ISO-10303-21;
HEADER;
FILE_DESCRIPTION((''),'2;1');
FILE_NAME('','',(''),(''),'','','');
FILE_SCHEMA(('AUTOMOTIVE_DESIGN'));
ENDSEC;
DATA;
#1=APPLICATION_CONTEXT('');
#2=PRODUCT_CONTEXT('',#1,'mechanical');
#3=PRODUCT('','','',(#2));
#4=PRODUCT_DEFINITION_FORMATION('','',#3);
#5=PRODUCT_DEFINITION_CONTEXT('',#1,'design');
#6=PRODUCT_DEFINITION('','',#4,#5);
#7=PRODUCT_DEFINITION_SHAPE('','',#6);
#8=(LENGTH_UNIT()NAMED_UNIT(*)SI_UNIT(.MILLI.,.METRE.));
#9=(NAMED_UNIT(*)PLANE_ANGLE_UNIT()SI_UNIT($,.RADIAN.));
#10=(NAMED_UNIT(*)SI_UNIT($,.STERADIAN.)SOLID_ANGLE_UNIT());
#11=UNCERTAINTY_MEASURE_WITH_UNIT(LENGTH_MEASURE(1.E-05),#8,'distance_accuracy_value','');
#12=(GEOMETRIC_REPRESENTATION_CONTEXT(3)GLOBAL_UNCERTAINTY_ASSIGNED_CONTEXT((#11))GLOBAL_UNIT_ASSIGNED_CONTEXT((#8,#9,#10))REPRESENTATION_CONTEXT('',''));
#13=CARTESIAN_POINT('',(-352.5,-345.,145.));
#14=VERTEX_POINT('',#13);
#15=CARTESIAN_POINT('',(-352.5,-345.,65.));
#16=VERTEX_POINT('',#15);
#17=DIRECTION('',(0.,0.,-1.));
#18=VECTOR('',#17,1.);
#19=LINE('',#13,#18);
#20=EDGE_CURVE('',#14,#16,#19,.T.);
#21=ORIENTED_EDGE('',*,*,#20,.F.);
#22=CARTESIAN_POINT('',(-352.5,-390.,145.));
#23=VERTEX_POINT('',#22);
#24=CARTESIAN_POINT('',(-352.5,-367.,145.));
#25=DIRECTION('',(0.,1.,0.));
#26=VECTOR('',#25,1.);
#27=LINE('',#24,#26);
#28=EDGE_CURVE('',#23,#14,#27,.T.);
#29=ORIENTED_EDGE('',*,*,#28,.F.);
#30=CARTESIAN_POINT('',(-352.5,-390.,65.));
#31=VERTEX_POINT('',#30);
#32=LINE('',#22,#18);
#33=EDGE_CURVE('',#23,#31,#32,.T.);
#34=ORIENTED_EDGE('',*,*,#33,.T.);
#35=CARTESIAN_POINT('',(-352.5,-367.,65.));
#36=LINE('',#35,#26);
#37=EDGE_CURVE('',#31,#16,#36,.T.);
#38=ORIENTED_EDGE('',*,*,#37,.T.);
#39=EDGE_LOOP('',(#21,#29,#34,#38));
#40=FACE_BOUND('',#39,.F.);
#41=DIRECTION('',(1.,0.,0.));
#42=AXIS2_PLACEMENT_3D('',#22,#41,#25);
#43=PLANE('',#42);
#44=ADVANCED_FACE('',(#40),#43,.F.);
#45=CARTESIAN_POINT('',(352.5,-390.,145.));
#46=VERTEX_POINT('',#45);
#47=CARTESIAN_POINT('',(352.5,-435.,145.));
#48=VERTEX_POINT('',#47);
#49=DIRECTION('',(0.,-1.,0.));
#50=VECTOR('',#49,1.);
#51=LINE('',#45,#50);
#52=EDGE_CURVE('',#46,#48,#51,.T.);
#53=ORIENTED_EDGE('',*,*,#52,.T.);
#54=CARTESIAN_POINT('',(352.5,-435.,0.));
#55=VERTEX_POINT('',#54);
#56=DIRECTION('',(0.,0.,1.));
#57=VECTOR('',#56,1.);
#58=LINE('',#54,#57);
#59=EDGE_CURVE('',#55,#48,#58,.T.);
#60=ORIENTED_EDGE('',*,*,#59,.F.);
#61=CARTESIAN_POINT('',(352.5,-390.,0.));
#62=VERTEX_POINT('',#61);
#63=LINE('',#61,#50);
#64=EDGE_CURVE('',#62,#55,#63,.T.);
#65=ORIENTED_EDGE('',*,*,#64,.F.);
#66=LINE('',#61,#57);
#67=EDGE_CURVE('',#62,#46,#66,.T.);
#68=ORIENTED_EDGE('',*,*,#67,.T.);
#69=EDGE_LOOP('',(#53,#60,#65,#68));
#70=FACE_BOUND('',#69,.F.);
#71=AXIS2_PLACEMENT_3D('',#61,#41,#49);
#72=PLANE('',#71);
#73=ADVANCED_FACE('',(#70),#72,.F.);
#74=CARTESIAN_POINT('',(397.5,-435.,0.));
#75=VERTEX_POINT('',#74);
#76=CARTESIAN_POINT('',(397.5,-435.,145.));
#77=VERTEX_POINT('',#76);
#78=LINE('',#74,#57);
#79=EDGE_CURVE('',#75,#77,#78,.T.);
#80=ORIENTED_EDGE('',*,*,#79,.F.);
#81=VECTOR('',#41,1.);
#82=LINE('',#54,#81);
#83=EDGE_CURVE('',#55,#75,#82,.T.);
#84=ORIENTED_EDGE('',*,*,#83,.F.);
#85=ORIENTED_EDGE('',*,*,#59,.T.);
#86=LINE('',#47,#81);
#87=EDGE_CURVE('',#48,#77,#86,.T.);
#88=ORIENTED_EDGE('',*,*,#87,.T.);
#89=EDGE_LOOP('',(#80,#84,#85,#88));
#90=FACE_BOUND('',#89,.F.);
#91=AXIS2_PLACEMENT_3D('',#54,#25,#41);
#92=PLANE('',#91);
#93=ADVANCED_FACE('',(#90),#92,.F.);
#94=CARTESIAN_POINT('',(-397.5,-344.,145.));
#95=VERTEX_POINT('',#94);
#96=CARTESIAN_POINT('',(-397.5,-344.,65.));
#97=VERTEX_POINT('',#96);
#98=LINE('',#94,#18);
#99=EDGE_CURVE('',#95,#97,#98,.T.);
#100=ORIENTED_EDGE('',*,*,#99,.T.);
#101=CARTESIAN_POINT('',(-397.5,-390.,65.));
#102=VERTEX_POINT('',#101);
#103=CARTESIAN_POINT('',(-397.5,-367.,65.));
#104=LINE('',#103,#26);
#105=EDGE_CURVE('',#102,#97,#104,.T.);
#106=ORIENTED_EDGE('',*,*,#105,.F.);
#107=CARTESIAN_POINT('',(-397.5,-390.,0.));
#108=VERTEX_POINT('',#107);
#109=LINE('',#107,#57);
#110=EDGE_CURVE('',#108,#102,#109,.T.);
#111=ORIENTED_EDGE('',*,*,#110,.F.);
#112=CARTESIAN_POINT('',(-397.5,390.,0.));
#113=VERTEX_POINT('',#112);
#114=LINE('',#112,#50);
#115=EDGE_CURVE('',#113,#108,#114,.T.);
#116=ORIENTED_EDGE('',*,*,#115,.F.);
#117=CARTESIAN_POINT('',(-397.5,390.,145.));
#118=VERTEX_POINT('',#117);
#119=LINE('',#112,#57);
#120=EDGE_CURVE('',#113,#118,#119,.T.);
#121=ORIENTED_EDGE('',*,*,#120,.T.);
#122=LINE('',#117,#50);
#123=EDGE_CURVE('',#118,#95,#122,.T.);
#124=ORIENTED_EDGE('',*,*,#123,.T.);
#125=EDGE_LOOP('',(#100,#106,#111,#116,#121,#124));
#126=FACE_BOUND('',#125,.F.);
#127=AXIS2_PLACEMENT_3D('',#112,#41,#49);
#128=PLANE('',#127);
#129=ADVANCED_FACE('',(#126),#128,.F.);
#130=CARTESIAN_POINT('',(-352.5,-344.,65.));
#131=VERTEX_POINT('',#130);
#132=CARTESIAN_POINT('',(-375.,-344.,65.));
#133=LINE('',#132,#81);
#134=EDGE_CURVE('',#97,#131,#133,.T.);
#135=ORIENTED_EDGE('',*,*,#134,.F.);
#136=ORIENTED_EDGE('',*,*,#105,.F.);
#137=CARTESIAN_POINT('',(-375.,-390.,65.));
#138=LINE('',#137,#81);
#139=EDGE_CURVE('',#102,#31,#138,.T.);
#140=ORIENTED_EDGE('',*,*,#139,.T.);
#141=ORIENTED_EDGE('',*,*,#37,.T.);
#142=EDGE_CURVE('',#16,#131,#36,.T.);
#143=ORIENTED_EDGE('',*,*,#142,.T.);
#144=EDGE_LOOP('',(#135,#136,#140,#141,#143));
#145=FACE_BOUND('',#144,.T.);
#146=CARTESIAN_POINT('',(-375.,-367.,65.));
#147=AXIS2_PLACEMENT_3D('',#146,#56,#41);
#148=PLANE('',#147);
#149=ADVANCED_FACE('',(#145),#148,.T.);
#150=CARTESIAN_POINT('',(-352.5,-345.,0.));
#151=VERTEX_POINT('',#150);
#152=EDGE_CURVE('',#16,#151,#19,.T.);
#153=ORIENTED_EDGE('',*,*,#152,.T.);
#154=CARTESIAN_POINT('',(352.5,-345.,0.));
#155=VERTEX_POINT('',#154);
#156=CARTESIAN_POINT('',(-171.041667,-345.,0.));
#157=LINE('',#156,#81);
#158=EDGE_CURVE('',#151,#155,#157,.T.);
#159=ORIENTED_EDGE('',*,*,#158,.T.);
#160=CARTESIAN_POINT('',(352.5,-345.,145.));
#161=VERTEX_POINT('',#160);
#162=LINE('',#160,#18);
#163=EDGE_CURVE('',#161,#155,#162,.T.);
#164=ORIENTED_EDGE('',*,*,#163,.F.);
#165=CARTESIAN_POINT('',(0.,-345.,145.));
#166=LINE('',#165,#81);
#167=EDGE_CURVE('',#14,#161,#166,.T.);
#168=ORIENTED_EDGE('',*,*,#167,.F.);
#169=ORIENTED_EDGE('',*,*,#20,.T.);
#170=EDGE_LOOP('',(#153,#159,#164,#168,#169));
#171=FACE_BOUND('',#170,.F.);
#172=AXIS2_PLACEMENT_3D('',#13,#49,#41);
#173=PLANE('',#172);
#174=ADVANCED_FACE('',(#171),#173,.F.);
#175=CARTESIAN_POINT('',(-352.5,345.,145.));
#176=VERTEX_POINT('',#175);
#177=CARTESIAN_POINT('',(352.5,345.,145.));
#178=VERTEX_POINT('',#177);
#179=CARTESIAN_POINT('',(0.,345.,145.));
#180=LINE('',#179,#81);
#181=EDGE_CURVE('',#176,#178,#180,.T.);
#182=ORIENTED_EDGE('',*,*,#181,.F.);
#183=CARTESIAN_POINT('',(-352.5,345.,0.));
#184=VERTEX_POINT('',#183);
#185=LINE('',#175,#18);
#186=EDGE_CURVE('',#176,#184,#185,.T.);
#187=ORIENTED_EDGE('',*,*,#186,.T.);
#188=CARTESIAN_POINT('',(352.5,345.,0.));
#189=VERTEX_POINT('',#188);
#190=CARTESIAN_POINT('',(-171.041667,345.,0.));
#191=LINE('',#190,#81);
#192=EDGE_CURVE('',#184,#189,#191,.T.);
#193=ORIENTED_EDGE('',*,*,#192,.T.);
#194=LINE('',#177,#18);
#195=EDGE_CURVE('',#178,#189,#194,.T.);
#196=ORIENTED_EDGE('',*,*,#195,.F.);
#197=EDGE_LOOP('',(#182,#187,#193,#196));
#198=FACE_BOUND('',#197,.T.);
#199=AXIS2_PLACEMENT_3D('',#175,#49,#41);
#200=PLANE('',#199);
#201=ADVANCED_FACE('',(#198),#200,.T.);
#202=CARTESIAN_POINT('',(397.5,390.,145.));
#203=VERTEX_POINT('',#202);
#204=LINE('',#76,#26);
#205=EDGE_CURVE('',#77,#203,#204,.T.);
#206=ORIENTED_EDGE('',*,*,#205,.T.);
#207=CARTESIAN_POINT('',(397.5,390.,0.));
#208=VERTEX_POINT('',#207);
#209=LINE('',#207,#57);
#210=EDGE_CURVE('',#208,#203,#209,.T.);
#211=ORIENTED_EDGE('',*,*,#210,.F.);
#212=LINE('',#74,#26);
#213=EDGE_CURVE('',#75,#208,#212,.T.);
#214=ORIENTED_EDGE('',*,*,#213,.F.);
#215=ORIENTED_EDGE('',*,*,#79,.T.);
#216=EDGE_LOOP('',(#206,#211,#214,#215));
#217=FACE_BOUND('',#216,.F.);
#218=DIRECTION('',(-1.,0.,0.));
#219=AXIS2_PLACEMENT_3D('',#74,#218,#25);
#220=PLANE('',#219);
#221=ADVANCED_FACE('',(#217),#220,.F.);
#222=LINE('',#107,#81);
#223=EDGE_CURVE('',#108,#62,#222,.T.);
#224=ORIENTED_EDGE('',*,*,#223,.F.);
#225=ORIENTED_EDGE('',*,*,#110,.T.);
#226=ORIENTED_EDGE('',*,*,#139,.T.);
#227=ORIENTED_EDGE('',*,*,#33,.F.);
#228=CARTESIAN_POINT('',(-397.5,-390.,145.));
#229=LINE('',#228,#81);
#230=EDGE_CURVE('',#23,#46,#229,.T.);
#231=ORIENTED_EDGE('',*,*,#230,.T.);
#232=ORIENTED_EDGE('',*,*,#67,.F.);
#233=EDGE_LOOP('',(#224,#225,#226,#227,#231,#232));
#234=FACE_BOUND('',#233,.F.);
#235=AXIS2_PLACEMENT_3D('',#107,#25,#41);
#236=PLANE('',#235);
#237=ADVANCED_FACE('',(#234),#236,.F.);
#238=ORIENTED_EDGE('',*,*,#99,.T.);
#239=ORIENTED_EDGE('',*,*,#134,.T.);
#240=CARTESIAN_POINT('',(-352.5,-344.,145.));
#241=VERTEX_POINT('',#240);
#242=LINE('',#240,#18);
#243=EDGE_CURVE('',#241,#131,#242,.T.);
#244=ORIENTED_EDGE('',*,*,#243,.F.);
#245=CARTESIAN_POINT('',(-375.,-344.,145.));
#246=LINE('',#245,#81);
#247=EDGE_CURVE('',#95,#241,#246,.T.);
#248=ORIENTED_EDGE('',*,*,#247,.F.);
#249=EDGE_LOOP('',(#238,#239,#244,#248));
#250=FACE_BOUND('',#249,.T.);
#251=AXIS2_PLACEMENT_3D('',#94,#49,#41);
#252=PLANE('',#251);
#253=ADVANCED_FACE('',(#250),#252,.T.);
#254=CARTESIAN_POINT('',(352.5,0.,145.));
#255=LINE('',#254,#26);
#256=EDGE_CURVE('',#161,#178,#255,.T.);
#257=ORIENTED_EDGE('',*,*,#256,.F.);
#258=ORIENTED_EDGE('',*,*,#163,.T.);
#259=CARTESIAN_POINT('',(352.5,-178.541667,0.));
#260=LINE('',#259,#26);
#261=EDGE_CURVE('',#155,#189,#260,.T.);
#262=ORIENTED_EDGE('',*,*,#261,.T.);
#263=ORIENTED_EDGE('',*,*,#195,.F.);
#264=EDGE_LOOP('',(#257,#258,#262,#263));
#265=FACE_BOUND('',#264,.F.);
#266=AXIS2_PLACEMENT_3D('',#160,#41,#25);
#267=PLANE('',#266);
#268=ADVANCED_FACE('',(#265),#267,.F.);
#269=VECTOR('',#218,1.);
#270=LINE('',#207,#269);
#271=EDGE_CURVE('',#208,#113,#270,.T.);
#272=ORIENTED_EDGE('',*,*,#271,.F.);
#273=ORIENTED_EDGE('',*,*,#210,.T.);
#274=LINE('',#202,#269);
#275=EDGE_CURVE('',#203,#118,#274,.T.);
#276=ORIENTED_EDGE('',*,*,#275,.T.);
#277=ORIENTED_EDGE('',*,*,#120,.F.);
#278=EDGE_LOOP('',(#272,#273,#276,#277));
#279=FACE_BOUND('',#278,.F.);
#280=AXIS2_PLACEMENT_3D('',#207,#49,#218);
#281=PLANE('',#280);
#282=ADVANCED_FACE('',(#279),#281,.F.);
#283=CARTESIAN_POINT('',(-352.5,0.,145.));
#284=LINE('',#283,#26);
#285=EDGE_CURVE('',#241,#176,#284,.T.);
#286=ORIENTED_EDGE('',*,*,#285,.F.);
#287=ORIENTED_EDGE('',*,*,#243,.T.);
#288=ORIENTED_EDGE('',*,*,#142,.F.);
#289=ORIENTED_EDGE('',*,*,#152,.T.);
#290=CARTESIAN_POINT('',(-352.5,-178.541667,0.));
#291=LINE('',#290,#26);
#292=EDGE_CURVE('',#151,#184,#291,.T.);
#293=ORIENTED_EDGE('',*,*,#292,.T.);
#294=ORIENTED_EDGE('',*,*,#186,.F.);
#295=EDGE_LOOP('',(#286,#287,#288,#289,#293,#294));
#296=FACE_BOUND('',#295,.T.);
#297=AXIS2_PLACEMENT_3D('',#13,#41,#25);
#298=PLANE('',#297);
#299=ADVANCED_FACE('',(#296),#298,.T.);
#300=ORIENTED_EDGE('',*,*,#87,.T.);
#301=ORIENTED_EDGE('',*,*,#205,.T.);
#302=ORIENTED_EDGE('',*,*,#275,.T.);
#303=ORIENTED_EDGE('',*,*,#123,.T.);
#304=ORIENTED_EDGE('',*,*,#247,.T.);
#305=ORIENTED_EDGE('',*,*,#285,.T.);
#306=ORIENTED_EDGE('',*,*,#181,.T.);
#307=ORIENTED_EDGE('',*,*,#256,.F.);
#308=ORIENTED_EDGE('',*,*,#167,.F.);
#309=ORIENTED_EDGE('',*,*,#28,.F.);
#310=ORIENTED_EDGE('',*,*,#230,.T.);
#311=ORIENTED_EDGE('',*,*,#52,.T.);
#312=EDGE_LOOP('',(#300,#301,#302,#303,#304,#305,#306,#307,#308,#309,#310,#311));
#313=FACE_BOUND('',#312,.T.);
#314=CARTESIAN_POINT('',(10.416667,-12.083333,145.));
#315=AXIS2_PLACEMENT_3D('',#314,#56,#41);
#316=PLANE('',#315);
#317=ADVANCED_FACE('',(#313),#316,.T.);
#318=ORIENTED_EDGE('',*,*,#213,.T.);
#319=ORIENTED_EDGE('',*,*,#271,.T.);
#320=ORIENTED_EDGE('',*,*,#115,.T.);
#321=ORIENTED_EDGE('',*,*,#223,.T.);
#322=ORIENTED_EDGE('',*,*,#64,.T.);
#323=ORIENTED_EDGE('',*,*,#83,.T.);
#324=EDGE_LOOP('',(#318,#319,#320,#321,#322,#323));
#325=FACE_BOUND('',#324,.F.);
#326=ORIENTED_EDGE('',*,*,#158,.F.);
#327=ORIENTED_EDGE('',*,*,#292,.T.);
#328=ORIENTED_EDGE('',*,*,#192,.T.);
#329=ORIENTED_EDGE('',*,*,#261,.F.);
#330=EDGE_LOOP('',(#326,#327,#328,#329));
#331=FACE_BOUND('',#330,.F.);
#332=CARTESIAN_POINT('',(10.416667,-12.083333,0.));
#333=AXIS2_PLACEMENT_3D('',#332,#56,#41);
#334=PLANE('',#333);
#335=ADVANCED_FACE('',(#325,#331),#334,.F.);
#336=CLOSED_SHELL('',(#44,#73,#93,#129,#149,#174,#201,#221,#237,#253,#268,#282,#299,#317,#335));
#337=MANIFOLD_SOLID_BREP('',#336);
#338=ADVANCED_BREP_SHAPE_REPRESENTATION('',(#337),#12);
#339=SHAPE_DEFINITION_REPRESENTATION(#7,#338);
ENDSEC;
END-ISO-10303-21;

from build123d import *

# Parameters (mm, degrees)
F1_DEPTH = 145
F2_W     = 705
F2_H     = 690
F3_DEPTH = 145.001
F4_W     = 45
F4_H     = 46
F5_DEPTH = 80


with BuildPart() as f1:
    # F0 (on Top) → F1 (new body)
    with BuildSketch(Plane.XY):
        Polygon((397.5, 390), (-397.5, 390), (-397.5, -390), (352.5, -390), (352.5, -435), (397.5, -435), (397.5, -390), align=None)
    extrude(amount=F1_DEPTH)

    # F2 (on face) → F3 (cut, through all)
    with BuildSketch(Plane.XY.offset(145)):
        Rectangle(F2_W, F2_H)
    extrude(amount=-F3_DEPTH, mode=Mode.SUBTRACT)

    # F4 (on face) → F5 (cut)
    with BuildSketch(Plane.XY.offset(145)):
        with Locations((-375, -367)):
            Rectangle(F4_W, F4_H)
    extrude(amount=-F5_DEPTH, mode=Mode.SUBTRACT)


solid = f1.part
